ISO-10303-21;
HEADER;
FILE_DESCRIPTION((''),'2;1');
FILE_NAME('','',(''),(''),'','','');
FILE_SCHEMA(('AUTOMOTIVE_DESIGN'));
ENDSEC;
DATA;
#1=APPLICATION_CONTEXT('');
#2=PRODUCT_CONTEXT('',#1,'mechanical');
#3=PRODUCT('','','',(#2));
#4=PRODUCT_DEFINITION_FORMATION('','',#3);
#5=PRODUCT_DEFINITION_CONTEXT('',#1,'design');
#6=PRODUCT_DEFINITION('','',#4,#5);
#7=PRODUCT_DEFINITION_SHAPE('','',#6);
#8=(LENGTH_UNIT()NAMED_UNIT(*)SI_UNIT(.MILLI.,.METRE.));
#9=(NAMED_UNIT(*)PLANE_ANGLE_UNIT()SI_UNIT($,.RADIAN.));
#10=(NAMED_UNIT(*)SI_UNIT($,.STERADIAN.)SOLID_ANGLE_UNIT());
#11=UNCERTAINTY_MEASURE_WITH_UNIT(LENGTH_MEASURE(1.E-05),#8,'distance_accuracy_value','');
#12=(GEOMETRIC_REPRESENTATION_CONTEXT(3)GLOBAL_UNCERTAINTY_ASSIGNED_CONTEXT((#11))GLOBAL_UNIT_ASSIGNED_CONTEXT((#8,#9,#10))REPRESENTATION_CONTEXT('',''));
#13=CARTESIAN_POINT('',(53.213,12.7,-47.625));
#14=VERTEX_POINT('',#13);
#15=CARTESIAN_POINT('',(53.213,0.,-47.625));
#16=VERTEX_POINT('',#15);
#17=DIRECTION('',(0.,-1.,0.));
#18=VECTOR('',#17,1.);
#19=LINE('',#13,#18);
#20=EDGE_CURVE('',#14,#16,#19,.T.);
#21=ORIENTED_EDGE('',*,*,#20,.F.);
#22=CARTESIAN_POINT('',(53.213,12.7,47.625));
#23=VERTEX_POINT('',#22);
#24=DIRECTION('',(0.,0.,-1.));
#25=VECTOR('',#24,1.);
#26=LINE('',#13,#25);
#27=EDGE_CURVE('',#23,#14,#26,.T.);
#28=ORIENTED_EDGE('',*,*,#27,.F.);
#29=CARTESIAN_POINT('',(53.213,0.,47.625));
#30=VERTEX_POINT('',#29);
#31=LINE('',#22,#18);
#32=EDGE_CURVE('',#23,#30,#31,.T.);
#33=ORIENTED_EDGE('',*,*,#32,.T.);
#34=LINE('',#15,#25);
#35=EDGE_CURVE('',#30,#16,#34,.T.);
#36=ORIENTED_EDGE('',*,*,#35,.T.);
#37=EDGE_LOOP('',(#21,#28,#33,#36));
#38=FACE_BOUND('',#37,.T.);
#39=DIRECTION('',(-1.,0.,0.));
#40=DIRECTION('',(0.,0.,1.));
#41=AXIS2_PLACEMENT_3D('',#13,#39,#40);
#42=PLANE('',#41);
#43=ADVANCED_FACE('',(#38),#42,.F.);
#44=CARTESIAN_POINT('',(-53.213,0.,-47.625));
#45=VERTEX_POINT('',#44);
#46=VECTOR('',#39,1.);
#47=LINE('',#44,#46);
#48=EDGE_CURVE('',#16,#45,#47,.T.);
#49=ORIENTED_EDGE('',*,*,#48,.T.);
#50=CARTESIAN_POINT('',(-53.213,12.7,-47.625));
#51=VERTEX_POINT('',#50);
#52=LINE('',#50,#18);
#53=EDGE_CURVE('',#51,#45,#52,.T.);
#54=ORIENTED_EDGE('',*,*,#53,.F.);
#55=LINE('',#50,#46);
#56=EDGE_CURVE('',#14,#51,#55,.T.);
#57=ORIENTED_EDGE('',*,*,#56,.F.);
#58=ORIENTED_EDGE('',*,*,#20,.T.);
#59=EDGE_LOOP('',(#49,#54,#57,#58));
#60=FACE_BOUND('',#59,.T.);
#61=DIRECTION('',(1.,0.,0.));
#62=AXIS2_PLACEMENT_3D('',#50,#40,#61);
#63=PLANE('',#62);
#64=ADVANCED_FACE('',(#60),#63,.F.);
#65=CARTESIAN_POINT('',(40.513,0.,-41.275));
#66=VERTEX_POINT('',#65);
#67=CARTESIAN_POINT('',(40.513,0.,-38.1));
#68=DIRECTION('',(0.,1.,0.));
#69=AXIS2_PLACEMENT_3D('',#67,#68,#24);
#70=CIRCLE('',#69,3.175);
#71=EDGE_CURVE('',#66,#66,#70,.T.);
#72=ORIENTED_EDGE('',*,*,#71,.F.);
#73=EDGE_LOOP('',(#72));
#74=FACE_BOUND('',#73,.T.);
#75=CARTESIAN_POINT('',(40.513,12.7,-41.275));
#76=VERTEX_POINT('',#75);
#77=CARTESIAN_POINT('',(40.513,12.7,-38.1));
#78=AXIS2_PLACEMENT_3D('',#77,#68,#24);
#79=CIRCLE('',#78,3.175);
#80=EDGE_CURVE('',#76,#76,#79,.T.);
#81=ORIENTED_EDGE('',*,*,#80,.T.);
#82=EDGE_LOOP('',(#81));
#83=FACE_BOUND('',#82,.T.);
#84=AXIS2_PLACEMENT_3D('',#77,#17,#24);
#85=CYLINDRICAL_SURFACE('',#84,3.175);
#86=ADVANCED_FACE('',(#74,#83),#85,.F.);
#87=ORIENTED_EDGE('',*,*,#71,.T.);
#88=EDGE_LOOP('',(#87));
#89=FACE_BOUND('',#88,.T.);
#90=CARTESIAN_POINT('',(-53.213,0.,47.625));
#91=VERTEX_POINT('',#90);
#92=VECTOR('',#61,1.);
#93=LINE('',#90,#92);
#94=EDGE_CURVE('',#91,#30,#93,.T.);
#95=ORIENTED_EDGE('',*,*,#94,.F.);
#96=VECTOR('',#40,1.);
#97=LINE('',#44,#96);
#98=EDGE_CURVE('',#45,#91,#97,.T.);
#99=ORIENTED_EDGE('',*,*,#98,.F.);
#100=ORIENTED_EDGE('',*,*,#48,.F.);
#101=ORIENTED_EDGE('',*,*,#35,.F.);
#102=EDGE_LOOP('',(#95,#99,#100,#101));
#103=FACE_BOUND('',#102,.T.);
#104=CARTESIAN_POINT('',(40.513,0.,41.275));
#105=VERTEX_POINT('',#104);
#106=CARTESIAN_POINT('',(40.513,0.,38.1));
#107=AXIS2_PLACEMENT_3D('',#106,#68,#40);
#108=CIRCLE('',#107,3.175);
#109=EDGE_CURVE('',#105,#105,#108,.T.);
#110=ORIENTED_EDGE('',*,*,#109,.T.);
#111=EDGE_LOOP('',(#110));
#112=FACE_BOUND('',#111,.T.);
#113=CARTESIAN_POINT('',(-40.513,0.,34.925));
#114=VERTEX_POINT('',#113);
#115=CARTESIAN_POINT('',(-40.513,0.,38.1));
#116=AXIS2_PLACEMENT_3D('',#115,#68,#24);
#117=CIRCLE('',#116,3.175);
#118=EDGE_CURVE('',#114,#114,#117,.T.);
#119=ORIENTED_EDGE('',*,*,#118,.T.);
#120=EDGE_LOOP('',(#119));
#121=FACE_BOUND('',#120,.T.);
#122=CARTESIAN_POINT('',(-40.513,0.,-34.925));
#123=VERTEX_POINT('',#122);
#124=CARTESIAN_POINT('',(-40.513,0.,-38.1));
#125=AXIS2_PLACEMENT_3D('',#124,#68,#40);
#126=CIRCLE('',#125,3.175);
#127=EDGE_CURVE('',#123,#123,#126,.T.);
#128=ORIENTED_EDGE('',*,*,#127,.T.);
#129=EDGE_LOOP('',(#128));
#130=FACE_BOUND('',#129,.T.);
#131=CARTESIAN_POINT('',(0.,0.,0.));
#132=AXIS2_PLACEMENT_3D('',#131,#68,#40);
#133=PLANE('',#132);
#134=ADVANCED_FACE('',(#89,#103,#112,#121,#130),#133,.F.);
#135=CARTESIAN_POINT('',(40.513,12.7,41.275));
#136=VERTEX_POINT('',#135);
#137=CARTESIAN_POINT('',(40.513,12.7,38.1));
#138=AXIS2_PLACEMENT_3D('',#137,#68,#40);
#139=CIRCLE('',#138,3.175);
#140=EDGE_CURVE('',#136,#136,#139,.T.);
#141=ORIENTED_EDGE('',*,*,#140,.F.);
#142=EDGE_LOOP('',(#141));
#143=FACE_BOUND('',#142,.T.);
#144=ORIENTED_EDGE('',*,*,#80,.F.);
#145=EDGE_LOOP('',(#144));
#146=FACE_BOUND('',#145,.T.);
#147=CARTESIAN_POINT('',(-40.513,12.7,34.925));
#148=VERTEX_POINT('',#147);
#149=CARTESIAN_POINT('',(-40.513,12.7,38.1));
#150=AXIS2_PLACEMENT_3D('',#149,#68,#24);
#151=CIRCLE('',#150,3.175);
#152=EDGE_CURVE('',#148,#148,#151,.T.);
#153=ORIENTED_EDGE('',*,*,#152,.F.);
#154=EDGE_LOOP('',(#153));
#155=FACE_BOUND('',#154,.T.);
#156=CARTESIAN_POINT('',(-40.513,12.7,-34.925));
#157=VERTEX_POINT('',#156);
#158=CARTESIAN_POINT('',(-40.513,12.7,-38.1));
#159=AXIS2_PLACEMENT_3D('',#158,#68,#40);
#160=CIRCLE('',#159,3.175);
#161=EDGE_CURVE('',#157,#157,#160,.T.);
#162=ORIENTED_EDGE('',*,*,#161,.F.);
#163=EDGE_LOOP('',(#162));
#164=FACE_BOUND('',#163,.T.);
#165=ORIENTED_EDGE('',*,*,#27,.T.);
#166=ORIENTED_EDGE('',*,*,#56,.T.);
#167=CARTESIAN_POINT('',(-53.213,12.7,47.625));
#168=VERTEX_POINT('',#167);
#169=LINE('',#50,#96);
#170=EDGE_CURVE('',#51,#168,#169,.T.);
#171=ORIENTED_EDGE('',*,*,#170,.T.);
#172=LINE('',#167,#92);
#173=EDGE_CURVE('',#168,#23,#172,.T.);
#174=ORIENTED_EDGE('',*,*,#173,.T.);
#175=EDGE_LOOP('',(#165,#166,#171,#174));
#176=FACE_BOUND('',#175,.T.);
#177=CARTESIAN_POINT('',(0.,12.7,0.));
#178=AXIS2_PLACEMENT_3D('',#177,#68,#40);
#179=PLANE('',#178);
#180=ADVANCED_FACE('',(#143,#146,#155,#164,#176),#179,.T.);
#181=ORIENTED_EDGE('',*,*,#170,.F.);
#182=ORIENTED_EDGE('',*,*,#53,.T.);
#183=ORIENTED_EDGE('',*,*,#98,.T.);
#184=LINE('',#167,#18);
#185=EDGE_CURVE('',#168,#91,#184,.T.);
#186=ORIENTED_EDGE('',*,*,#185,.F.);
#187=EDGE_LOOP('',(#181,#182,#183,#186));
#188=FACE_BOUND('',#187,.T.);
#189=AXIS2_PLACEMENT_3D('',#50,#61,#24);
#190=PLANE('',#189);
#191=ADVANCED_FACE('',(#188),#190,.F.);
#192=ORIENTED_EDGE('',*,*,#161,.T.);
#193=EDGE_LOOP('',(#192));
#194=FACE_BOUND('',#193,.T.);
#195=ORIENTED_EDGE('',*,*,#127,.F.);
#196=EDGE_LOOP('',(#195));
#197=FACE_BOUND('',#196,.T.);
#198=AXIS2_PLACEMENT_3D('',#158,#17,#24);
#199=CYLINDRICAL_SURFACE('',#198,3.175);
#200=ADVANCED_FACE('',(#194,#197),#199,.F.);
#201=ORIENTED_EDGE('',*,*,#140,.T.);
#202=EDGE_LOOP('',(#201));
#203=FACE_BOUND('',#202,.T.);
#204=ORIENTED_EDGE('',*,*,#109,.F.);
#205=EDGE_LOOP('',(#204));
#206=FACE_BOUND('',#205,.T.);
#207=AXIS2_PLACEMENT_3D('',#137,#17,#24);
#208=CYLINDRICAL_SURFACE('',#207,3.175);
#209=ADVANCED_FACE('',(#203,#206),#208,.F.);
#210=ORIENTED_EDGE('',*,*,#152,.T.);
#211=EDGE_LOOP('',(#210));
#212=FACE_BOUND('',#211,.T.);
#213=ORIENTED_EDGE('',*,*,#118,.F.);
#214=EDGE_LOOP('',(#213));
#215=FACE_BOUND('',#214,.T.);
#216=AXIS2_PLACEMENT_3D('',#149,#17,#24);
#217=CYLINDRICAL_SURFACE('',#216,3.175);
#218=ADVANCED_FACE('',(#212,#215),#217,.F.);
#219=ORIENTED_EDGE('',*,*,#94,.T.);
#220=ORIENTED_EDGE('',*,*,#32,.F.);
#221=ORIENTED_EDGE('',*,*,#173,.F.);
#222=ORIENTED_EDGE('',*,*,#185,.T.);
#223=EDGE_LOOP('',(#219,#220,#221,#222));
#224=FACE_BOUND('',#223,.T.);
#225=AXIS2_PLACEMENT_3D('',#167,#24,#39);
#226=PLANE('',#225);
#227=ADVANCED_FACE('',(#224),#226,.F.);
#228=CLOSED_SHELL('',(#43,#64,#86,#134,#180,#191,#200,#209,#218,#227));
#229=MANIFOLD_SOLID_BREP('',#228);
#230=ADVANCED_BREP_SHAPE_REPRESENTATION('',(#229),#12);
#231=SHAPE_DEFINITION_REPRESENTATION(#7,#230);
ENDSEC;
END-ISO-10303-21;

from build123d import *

# Parameters (mm, degrees)
SKETCH1_W           = 106.426
SKETCH1_H           = 95.25
SKETCH1_R           = 3.175
BOSS_EXTRUDE1_DEPTH = 12.7


with BuildPart() as part:
    # Sketch1 → Boss-Extrude1 (new body)
    with BuildSketch(Plane(origin=(0, 0, 0), x_dir=(1, 0, 0), z_dir=(0, 1, 0))):
        Rectangle(SKETCH1_W, SKETCH1_H)
        with Locations(Location((-40.513, 38.1, 0), (0, 0, 270))):
            Circle(SKETCH1_R, mode=Mode.SUBTRACT)
        with Locations(Location((40.513, 38.1, 0), (0, 0, 90))):
            Circle(SKETCH1_R, mode=Mode.SUBTRACT)
        with Locations(Location((40.513, -38.1, 0), (0, 0, 270))):
            Circle(SKETCH1_R, mode=Mode.SUBTRACT)
        with Locations(Location((-40.513, -38.1, 0), (0, 0, 90))):
            Circle(SKETCH1_R, mode=Mode.SUBTRACT)
    extrude(amount=BOSS_EXTRUDE1_DEPTH)


solid = part.part
